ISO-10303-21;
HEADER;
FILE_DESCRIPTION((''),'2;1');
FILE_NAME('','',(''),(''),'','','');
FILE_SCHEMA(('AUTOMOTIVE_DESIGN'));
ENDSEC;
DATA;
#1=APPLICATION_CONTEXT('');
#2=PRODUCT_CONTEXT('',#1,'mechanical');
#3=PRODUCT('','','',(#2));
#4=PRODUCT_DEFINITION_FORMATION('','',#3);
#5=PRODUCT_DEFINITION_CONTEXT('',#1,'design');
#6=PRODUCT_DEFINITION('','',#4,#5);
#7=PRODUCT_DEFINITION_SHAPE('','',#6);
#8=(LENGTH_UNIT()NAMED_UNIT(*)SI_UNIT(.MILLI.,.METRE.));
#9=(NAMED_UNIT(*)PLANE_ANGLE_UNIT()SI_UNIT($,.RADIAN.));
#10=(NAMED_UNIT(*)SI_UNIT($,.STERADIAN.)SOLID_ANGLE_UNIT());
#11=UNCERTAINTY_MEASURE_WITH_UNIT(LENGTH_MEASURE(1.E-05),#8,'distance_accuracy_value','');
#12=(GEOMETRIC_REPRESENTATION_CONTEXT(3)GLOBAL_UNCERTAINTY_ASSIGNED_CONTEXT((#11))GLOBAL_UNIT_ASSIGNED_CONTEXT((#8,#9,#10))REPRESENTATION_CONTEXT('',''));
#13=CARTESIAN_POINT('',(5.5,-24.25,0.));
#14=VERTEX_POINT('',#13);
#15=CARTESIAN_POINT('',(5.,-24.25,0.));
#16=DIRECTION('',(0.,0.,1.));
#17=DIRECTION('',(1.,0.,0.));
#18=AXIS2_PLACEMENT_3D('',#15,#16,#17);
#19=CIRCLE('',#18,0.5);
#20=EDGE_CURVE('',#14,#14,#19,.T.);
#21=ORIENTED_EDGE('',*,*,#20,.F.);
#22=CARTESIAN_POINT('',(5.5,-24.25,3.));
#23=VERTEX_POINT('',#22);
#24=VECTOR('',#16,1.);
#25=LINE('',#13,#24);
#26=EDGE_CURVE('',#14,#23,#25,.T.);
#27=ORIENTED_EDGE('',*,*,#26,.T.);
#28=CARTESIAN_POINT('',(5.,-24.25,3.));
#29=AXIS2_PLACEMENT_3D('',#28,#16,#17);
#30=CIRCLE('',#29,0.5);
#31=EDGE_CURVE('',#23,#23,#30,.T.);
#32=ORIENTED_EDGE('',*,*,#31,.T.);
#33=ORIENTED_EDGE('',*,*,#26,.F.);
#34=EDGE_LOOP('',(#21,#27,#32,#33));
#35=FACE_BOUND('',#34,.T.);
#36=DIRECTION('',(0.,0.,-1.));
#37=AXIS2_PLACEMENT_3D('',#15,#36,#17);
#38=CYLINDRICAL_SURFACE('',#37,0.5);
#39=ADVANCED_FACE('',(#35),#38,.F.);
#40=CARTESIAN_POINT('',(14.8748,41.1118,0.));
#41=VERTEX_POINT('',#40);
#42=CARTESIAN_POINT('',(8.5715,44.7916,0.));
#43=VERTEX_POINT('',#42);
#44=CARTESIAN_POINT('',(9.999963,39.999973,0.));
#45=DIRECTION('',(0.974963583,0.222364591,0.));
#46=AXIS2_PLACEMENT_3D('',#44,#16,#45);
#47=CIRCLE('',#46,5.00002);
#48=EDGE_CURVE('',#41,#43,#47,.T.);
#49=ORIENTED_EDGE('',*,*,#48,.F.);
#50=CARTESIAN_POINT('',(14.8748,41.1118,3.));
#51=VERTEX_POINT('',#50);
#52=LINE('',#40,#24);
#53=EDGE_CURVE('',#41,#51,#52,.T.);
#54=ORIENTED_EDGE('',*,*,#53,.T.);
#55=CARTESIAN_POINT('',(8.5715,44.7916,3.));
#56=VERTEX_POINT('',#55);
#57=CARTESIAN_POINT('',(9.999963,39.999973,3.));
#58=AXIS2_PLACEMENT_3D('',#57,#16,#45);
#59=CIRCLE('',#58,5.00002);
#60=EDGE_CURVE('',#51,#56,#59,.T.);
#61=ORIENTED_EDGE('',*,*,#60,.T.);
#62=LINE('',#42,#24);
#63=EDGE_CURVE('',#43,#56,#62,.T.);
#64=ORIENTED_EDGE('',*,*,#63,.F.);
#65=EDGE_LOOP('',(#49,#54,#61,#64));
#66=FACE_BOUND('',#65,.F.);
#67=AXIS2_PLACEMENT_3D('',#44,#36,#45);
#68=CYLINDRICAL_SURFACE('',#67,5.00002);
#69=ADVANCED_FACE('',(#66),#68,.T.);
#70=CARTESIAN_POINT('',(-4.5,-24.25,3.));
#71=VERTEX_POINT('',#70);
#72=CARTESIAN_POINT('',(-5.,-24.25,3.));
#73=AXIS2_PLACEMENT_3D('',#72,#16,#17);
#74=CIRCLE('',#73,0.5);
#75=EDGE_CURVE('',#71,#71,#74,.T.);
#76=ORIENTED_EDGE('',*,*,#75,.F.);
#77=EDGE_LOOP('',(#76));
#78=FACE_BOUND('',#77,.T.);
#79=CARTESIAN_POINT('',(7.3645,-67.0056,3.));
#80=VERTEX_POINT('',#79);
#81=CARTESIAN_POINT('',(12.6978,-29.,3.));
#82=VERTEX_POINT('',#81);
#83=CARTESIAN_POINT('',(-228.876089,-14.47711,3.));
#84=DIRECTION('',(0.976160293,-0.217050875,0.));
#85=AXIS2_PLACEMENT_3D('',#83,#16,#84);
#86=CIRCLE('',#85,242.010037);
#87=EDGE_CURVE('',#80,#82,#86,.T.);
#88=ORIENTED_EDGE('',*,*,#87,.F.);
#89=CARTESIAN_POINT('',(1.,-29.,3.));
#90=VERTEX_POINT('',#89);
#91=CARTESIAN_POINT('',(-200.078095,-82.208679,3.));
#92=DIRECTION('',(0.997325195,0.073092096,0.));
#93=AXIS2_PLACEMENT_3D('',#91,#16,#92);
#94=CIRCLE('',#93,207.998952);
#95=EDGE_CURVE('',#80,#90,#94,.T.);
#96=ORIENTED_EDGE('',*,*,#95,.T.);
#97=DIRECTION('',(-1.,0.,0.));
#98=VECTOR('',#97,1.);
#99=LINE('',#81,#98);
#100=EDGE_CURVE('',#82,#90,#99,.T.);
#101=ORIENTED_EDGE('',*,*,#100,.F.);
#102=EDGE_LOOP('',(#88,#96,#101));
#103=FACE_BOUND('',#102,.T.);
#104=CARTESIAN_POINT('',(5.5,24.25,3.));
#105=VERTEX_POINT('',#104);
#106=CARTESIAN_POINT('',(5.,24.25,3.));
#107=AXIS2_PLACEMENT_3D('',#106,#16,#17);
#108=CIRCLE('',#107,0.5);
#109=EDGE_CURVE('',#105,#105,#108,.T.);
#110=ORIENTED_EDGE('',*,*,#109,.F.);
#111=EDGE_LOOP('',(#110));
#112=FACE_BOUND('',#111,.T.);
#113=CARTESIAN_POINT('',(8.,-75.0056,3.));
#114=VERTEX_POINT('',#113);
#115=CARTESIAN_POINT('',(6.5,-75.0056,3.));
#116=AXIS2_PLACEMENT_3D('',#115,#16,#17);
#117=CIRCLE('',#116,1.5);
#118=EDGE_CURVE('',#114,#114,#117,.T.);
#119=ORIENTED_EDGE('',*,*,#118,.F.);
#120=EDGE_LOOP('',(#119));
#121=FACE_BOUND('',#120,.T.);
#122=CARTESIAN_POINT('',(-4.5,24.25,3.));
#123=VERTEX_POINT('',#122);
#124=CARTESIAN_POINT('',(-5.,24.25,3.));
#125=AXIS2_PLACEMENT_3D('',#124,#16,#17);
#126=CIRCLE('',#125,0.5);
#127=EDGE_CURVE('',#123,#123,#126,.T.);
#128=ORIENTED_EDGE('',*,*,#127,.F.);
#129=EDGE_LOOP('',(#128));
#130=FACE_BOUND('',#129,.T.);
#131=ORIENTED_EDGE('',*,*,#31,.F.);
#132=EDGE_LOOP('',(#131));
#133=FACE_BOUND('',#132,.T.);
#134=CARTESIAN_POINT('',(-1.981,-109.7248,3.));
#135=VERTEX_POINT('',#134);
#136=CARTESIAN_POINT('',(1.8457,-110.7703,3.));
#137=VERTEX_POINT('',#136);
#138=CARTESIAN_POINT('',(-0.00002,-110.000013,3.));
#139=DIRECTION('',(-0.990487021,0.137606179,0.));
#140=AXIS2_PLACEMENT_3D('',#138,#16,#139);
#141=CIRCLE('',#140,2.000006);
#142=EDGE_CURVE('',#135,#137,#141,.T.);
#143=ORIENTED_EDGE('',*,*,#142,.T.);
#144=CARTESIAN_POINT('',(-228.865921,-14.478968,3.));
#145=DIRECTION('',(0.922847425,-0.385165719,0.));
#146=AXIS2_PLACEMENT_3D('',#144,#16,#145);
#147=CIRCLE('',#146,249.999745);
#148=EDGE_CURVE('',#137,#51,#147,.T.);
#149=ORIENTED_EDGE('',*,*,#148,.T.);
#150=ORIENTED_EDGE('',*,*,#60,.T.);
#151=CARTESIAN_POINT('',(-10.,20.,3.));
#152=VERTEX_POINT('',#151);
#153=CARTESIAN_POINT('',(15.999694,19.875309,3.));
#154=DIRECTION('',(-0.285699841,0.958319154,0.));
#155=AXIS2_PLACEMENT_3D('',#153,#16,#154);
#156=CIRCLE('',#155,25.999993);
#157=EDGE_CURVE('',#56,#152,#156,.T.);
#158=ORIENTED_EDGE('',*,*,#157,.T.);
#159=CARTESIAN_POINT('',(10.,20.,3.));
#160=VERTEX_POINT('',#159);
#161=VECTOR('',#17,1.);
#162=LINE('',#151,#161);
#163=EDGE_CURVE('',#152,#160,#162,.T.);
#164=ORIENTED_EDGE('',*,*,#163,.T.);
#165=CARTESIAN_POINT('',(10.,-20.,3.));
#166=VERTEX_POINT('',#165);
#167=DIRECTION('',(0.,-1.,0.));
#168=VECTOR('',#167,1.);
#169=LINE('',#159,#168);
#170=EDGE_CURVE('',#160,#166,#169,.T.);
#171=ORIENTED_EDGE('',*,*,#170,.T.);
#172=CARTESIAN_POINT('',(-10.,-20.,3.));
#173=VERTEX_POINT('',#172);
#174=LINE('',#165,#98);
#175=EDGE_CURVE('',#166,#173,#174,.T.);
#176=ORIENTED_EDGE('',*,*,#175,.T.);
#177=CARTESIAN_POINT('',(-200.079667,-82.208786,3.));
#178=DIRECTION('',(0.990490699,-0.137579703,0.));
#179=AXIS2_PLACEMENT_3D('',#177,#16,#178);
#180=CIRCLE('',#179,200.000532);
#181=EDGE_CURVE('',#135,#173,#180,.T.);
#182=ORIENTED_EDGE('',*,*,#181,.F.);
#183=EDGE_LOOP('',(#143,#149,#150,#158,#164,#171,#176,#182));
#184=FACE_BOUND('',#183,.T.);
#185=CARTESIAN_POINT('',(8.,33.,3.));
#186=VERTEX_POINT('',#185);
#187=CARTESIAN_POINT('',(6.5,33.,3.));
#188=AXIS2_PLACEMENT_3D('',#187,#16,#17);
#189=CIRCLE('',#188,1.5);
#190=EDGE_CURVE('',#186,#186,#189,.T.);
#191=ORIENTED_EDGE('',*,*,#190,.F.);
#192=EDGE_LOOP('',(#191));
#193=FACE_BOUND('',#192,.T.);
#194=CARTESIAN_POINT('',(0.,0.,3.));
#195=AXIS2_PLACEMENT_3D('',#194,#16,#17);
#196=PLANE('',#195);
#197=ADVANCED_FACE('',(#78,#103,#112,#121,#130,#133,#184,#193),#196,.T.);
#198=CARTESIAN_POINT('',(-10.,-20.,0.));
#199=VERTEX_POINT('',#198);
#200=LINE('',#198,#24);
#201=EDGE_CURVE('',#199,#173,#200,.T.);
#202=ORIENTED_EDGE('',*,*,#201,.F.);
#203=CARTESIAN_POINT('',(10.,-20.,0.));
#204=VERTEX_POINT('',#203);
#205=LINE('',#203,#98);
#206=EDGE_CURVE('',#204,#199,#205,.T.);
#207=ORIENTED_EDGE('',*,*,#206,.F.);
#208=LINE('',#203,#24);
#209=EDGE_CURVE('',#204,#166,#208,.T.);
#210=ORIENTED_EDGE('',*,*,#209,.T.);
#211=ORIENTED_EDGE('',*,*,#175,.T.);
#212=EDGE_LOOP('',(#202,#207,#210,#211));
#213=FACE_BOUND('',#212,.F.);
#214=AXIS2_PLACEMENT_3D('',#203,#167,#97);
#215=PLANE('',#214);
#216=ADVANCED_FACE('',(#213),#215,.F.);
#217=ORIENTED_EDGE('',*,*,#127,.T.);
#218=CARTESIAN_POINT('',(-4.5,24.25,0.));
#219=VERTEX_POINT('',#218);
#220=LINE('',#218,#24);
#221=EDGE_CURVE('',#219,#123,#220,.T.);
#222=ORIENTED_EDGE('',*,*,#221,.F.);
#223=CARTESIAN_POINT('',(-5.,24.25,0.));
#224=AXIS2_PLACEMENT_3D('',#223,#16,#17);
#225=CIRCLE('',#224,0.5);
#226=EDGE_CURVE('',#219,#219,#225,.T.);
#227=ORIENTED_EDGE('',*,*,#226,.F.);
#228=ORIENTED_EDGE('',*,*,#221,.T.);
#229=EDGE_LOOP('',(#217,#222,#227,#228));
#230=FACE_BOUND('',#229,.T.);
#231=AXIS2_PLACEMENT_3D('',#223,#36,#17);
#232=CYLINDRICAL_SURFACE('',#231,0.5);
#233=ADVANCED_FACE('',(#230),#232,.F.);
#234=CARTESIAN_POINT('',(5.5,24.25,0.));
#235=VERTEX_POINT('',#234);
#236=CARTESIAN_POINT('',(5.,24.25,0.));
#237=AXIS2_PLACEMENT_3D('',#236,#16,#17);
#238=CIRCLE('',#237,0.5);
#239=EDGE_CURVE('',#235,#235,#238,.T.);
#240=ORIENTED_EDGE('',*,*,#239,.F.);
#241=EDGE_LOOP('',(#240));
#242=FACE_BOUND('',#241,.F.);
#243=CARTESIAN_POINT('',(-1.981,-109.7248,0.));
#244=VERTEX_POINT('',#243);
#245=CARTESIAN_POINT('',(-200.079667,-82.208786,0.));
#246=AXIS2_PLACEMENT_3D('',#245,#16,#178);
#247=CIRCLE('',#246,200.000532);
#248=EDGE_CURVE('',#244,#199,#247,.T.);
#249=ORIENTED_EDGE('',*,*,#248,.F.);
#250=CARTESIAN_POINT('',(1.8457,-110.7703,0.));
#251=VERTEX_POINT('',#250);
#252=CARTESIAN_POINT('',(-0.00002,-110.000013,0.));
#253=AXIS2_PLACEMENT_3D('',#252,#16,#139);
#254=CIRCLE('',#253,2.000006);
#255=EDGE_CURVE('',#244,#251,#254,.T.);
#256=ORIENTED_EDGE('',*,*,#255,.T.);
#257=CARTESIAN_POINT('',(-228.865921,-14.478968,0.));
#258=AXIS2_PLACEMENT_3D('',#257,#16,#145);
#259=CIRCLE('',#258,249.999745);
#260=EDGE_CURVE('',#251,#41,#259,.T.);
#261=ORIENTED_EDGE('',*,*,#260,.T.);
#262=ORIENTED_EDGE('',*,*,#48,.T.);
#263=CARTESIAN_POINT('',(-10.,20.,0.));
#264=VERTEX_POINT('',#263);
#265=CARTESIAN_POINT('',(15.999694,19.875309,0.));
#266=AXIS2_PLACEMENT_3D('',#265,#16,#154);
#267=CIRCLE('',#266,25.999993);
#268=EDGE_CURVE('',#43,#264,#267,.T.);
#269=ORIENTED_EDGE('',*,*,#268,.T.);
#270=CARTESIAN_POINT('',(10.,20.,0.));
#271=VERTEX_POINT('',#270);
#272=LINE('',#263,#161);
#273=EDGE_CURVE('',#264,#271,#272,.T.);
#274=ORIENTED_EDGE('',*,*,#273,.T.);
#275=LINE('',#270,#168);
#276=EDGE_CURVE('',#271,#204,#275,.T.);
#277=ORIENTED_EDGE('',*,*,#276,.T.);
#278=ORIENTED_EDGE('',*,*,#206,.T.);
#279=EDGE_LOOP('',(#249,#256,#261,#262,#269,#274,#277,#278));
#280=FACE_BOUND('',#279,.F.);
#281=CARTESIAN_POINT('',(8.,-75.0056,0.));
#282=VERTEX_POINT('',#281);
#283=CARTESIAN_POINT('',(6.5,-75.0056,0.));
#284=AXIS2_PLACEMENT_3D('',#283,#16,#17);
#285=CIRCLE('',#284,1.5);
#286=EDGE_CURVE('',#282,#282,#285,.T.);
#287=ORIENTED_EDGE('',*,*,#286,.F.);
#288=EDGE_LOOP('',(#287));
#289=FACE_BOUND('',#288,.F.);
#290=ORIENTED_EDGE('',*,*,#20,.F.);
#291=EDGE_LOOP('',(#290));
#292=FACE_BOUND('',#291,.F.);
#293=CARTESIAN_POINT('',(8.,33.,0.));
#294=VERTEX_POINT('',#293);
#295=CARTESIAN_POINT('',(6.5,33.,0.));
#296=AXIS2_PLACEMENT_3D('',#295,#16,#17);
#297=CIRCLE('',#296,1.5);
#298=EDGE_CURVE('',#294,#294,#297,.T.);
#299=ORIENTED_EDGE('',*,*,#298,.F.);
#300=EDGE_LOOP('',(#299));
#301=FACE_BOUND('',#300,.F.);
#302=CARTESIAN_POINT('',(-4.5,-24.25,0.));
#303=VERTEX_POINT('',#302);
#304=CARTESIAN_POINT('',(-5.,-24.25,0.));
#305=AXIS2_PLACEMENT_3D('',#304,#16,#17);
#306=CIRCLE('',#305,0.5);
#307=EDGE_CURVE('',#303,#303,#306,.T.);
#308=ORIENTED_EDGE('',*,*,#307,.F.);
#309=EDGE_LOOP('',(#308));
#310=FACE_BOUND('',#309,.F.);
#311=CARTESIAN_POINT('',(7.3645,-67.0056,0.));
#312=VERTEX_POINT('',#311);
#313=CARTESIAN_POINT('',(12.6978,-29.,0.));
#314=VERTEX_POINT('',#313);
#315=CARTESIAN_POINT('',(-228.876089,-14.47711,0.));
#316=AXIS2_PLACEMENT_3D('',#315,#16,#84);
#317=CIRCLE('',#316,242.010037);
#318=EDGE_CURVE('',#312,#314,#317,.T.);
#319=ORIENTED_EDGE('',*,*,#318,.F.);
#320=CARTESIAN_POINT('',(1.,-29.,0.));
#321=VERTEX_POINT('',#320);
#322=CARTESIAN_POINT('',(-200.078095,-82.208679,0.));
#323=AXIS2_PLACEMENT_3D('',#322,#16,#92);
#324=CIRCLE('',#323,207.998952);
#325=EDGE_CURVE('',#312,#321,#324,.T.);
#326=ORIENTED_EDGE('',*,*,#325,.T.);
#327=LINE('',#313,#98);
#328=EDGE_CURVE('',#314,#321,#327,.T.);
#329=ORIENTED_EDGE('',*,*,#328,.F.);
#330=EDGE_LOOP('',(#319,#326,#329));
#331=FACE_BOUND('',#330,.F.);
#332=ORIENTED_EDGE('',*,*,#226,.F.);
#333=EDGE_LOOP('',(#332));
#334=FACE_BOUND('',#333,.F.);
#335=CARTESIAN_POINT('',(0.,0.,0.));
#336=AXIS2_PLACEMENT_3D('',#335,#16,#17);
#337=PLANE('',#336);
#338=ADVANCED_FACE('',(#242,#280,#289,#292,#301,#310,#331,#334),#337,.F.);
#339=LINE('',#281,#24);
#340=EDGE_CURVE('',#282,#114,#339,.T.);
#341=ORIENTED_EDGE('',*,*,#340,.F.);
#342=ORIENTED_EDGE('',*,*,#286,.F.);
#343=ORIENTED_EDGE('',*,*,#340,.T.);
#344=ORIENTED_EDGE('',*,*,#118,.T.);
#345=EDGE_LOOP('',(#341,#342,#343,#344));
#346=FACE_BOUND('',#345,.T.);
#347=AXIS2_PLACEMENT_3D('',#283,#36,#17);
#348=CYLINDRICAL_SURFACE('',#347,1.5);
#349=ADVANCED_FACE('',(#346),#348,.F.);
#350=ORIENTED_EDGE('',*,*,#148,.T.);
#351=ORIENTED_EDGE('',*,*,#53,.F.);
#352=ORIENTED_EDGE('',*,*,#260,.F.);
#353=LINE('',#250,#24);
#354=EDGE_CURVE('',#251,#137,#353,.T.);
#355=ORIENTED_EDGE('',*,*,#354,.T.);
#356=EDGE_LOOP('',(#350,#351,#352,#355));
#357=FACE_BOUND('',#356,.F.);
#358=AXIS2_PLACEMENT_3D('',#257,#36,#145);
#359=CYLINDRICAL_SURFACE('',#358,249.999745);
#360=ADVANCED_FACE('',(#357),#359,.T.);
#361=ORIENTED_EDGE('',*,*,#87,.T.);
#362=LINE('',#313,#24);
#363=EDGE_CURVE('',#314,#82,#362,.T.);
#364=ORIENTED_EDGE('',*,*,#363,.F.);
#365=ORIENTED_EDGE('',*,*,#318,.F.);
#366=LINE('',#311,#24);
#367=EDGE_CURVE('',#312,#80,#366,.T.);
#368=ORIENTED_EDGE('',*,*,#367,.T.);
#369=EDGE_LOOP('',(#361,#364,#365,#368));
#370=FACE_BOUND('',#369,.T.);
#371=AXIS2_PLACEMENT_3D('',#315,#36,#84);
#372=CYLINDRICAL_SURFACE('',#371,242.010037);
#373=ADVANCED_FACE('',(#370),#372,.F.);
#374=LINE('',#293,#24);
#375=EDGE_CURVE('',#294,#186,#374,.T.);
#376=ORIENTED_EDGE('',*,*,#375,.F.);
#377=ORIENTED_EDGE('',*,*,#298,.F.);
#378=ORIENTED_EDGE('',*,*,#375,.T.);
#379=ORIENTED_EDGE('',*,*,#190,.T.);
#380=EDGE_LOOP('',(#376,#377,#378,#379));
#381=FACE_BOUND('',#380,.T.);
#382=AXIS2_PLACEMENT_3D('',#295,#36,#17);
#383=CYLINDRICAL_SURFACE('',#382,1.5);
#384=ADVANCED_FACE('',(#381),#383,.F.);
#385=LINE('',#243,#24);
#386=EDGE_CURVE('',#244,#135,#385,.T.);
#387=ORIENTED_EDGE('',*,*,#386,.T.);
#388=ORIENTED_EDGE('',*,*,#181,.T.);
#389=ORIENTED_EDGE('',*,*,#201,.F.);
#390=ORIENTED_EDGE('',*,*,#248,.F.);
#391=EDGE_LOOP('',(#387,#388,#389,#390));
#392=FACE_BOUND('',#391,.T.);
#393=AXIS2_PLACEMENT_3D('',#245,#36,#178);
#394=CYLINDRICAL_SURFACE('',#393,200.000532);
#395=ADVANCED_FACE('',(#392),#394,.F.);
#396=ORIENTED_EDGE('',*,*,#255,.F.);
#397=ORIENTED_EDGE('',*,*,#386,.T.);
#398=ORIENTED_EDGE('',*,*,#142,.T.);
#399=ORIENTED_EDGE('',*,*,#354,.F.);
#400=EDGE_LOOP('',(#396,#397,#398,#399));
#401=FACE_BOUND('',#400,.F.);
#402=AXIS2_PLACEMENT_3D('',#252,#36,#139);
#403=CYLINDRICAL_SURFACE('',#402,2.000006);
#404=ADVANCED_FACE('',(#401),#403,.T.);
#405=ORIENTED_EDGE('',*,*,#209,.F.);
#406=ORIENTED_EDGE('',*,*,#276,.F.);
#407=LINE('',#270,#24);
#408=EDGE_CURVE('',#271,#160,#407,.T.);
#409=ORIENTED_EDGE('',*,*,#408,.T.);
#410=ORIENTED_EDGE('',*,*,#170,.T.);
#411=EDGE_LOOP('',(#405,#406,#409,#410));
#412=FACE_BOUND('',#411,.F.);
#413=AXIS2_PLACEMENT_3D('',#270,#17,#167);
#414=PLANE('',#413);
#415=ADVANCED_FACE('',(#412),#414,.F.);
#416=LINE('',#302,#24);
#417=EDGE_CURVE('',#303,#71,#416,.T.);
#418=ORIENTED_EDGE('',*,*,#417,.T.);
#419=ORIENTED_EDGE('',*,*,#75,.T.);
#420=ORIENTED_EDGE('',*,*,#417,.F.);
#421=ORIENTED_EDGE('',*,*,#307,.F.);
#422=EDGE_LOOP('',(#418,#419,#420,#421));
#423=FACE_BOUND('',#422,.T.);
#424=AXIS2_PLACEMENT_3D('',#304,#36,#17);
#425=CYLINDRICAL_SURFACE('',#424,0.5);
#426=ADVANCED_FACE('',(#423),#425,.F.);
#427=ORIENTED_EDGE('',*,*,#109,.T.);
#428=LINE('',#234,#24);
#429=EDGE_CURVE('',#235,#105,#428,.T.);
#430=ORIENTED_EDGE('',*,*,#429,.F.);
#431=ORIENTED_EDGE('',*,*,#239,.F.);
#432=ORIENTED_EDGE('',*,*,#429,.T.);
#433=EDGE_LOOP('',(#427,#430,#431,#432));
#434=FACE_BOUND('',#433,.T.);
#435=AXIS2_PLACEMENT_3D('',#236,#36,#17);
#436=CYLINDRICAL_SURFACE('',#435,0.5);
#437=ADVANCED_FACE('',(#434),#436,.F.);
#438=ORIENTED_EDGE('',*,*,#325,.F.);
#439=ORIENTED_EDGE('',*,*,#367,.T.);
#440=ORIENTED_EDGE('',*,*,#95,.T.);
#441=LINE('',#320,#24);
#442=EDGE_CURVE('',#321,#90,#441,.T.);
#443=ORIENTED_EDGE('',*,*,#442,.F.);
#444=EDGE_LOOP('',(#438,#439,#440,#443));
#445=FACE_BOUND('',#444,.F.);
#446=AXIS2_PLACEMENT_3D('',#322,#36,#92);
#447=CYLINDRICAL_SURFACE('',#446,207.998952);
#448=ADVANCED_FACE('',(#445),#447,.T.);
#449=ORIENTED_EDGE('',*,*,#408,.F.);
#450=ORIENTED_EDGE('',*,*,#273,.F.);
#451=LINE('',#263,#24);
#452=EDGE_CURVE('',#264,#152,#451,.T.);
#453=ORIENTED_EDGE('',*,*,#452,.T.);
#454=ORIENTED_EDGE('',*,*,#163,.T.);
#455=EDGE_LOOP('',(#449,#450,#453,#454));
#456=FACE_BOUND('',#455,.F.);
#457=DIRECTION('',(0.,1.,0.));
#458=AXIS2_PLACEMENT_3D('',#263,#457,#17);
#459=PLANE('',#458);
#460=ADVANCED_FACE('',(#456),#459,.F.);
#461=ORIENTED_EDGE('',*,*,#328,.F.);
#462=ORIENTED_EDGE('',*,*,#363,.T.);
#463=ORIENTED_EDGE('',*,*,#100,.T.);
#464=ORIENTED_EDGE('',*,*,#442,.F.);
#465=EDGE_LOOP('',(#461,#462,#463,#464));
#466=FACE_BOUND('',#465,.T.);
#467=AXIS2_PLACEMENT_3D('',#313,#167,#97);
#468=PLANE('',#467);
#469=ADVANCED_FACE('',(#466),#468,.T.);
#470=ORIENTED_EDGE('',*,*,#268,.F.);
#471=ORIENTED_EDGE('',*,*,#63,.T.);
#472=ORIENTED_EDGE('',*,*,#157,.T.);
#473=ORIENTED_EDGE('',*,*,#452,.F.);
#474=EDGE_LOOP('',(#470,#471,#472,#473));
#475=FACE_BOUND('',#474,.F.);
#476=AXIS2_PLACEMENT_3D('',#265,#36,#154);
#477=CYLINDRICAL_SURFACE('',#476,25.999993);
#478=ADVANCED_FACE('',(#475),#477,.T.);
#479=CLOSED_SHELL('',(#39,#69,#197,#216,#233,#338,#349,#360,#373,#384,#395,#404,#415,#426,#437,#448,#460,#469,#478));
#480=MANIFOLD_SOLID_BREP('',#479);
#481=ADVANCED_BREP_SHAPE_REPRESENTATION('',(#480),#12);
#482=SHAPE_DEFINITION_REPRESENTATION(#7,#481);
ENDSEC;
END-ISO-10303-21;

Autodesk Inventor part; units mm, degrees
ref_plane "YZ Plane" through (0, 0, 0) normal (1, 0, 0) x (0, 1, 0)
ref_plane "XZ Plane" through (0, 0, 0) normal (0, 1, 0) x (-1, 0, 0)
ref_plane "XY Plane" through (0, 0, 0) normal (0, 0, 1) x (1, 0, 0)
sketch "Sketch1" plane through (0, 0, 0) normal (0, 0, 1) x (1, 0, 0)
  line L0 (0, 102) -> (0, -107) construction
  line L1 (119, 0) -> (-122, 0) construction
  line L2 (-10, 20) -> (10, 20)
  line L3 (10, 20) -> (10, -20)
  line L4 (10, -20) -> (-10, -20)
  arc A0 (8.5715, 44.7916) -> (-10, 20) centre (15.9997, 19.8753) ccw
  arc A1 (1.8457, -110.7703) -> (14.8748, 41.1118) centre (-228.8662, -14.4789) ccw
  arc A2 (14.8748, 41.1118) -> (8.5715, 44.7916) centre (10, 40) ccw
  circle A3 centre (5, 24.25) radius 0.5
  circle A4 centre (-5, 24.25) radius 0.5
  arc A5 (-1.981, -109.7248) -> (-10, -20) centre (-200.0791, -82.2088) ccw
  arc A6 (-1.981, -109.7248) -> (1.8457, -110.7703) centre (0, -110) ccw
  arc A7 (7.3645, -67.0056) -> (12.6978, -29) centre (-228.8662, -14.4789) ccw
  arc A8 (7.3645, -67.0056) -> (1, -29) centre (-200.0791, -82.2088) ccw
  line L5 (12.6978, -29) -> (1, -29)
  circle A9 centre (5, -24.25) radius 0.5
  circle A10 centre (-5, -24.25) radius 0.5
  circle A11 centre (6.5, -75.0056) radius 1.5
  circle A12 centre (6.5, 33) radius 1.5
  point P0 (0, 0)
  dimension "d0" = 20
  dimension "d1" = 40
  dimension "d2" = 5
  dimension "d3" = 26
  dimension "d4" = 10
  dimension "d5" = 1
  dimension "d6" = 4.25
  dimension "d7" = 5
  dimension "d8" = 20
  dimension "d9" = 250
  dimension "d10" = 10
  dimension "d11" = 20
  dimension "d12" = 2
  dimension "d13" = 150
  dimension "d14" = 200
  dimension "d15" = 208
  dimension "d16" = 242
  dimension "d17" = 9
  dimension "d20" = 3
  dimension "d21" = 8
  dimension "d22" = 6.5
  dimension "d23" = 3
  dimension "d24" = 6.5
  dimension "d25" = 13
extrude "Extrusion2" add sketch "Sketch1" along normal blind 3
properties part number "Tibia"
